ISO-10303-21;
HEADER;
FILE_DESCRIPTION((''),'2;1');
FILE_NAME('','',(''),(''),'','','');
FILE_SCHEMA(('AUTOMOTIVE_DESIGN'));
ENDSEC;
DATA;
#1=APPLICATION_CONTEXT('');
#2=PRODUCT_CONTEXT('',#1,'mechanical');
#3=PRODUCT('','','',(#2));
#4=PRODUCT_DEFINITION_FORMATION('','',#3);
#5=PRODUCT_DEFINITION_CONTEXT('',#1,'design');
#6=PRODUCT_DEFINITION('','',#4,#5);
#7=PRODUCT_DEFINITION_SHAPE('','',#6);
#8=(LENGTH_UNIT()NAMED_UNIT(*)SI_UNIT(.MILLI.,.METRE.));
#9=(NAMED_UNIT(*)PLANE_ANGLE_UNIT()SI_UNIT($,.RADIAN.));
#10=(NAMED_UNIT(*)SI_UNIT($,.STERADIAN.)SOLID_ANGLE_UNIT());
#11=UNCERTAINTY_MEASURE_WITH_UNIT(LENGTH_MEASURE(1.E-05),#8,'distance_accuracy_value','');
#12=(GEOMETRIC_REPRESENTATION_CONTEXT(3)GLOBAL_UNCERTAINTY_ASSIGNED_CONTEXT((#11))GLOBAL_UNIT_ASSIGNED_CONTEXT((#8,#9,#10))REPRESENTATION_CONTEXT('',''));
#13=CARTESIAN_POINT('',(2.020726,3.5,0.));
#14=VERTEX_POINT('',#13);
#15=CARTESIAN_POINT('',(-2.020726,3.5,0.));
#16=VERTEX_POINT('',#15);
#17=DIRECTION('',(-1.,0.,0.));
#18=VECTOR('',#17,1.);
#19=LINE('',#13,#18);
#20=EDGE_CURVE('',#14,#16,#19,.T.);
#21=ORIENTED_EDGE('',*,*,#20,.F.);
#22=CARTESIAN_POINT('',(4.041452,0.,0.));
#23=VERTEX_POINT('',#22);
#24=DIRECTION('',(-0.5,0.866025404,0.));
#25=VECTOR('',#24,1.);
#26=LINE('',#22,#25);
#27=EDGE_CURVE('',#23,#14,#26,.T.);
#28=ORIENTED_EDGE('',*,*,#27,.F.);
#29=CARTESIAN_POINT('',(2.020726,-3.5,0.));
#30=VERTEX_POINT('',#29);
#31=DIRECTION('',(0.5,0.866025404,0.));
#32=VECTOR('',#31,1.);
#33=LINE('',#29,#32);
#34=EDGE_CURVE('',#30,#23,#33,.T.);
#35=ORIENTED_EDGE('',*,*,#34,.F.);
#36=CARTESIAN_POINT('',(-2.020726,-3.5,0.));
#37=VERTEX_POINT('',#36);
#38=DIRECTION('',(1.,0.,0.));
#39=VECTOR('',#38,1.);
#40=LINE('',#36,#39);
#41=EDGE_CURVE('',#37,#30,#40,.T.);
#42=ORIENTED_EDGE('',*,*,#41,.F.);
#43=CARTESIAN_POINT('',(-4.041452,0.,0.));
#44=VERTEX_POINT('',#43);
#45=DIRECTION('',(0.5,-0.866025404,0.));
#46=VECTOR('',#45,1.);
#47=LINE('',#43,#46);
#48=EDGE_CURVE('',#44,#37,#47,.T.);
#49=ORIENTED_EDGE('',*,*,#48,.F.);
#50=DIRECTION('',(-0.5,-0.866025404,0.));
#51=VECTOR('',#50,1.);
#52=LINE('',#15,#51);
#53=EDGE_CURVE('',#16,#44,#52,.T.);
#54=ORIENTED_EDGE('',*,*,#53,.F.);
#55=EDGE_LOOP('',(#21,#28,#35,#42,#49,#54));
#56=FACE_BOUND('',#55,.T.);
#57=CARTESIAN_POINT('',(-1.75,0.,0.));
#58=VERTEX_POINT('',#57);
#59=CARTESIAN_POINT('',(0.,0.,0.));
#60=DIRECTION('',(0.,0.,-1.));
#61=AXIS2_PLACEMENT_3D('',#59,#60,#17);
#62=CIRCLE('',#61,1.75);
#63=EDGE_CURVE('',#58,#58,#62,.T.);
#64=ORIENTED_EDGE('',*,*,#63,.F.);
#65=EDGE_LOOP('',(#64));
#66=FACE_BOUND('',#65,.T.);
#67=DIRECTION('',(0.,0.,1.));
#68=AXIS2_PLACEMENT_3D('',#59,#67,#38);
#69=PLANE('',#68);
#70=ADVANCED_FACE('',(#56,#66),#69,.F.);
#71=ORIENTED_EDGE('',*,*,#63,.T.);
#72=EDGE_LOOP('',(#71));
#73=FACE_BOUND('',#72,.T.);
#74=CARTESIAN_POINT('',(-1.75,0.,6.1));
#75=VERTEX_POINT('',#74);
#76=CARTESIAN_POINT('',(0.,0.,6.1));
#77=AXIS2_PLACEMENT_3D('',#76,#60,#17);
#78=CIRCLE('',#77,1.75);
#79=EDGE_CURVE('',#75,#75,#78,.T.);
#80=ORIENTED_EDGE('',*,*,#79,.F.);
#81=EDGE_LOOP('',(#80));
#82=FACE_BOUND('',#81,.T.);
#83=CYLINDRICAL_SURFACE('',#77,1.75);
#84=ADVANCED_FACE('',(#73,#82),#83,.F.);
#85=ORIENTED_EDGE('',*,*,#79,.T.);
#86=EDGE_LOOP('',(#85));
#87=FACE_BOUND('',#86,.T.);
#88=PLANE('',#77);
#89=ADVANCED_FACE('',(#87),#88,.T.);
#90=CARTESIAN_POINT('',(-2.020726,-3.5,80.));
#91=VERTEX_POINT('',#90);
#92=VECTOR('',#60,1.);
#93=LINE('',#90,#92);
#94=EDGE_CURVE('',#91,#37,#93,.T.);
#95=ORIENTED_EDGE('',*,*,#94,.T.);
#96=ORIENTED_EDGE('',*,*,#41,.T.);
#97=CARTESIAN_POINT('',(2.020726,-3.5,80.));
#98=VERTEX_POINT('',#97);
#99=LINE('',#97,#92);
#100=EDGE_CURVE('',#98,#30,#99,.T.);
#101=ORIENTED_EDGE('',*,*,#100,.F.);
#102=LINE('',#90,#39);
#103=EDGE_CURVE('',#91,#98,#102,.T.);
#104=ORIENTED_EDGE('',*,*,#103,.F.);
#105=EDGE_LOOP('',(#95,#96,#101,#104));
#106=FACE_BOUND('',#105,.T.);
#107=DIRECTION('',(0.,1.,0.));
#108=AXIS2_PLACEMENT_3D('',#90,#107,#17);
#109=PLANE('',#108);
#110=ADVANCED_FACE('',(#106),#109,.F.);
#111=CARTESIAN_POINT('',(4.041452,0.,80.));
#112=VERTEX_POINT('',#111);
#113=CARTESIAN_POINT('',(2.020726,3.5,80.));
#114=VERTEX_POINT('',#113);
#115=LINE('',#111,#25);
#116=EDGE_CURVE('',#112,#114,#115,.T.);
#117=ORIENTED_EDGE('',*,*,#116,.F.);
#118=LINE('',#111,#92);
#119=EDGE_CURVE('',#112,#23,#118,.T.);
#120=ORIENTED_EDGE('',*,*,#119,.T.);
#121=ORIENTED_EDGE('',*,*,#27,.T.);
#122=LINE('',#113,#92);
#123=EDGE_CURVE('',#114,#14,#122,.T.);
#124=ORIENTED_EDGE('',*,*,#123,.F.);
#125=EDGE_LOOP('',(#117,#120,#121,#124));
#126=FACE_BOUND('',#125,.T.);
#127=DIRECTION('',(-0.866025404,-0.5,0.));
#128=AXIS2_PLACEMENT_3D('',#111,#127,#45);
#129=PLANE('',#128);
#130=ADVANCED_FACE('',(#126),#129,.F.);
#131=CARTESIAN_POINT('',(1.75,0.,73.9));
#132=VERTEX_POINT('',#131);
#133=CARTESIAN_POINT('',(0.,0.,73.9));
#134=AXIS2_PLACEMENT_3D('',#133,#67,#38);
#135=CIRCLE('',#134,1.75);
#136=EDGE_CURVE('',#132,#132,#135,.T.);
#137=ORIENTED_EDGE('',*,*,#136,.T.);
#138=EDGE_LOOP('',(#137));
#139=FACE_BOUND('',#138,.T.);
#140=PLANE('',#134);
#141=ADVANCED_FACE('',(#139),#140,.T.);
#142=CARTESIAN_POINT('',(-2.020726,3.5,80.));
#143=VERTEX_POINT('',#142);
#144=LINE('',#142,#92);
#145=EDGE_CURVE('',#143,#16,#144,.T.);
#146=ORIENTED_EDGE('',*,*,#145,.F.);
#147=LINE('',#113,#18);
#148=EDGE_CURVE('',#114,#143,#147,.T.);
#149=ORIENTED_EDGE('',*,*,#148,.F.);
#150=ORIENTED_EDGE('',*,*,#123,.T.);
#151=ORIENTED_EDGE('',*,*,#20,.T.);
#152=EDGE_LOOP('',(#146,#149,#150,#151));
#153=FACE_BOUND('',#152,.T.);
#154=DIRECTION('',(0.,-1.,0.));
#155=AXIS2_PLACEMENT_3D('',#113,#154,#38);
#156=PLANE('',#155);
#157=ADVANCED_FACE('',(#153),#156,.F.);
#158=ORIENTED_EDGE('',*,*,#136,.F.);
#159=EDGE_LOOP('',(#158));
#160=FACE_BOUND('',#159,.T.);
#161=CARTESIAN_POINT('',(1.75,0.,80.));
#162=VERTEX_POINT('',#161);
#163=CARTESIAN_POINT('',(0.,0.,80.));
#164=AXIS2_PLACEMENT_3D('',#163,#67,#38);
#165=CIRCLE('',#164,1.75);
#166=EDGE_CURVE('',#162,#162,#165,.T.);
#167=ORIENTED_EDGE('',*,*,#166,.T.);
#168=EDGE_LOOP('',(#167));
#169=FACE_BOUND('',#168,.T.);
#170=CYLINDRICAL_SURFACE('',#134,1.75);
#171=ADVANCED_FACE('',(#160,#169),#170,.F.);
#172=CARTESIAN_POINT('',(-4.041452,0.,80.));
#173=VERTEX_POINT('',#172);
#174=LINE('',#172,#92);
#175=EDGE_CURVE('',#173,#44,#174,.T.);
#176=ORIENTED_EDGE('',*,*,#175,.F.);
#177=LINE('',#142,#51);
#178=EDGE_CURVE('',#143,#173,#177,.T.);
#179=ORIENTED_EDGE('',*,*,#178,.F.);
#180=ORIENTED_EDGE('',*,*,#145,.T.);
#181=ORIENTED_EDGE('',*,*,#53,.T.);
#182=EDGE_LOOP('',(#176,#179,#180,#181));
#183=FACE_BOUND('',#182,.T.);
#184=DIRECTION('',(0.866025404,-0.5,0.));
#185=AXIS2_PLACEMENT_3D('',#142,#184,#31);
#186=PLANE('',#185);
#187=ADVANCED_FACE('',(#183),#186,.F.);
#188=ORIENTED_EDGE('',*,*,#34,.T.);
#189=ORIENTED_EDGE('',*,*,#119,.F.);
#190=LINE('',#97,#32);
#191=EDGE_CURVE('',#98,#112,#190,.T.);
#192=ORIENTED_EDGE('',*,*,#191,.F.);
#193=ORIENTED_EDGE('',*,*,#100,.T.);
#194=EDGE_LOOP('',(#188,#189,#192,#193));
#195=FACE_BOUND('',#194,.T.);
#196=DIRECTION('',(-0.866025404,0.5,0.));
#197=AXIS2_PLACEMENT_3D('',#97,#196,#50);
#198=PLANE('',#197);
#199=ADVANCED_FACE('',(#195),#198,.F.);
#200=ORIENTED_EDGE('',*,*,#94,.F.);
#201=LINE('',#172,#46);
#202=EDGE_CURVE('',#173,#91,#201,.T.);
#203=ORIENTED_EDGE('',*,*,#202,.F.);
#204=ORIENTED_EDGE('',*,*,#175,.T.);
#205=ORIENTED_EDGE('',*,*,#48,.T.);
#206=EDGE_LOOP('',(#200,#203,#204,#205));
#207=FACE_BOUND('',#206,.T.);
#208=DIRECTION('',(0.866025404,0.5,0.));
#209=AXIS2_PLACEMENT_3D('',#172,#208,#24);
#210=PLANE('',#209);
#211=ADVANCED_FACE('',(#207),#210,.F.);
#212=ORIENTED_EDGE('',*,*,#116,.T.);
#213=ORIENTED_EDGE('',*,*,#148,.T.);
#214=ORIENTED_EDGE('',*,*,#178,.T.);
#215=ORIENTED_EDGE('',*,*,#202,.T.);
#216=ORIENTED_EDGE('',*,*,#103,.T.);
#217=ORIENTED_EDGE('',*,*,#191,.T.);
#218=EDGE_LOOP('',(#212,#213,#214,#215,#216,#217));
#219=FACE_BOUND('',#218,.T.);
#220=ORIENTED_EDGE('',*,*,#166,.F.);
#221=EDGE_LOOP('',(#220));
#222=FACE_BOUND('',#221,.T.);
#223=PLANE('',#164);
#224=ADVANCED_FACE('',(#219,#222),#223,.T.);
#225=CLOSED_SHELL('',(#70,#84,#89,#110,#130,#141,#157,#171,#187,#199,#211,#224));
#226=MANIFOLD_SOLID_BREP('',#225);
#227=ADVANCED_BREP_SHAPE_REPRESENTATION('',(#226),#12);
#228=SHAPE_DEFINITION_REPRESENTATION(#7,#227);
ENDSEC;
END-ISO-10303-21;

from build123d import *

# Parameters (mm, degrees)
EXTRUDE_F_DEPTH    = 80
SKETCH2_R          = 1.75
CUT_EXTRUDE1_DEPTH = 6.1
CUT_EXTRUDE2_START = -6.1
SKETCH3_R          = 1.75
CUT_EXTRUDE2_DEPTH = 6.1


with BuildPart() as part:
    # Sketch1 → Extrude f (new body)
    with BuildSketch(Plane.XY):
        Polygon((4.041451884, 0), (2.020725942, 3.5), (-2.020725942, 3.5), (-4.041451884, 0), (-2.020725942, -3.5), (2.020725942, -3.5), align=None)
    extrude(amount=EXTRUDE_F_DEPTH)

    # Sketch2 → Cut-Extrude1 (cut)
    with BuildSketch(Plane.XY.offset(80)):
        Circle(SKETCH2_R)
    extrude(amount=-CUT_EXTRUDE1_DEPTH, mode=Mode.SUBTRACT)

    # Sketch3 → Cut-Extrude2 (cut)
    with BuildSketch(Plane(origin=(0, 0, 0), x_dir=(-1, 0, 0), z_dir=(0, 0, -1)).offset(CUT_EXTRUDE2_START)):
        with Locations(Location((0, 0, 0), (0, 0, 180))):
            Circle(SKETCH3_R)
    extrude(amount=CUT_EXTRUDE2_DEPTH, mode=Mode.SUBTRACT)


solid = part.part
